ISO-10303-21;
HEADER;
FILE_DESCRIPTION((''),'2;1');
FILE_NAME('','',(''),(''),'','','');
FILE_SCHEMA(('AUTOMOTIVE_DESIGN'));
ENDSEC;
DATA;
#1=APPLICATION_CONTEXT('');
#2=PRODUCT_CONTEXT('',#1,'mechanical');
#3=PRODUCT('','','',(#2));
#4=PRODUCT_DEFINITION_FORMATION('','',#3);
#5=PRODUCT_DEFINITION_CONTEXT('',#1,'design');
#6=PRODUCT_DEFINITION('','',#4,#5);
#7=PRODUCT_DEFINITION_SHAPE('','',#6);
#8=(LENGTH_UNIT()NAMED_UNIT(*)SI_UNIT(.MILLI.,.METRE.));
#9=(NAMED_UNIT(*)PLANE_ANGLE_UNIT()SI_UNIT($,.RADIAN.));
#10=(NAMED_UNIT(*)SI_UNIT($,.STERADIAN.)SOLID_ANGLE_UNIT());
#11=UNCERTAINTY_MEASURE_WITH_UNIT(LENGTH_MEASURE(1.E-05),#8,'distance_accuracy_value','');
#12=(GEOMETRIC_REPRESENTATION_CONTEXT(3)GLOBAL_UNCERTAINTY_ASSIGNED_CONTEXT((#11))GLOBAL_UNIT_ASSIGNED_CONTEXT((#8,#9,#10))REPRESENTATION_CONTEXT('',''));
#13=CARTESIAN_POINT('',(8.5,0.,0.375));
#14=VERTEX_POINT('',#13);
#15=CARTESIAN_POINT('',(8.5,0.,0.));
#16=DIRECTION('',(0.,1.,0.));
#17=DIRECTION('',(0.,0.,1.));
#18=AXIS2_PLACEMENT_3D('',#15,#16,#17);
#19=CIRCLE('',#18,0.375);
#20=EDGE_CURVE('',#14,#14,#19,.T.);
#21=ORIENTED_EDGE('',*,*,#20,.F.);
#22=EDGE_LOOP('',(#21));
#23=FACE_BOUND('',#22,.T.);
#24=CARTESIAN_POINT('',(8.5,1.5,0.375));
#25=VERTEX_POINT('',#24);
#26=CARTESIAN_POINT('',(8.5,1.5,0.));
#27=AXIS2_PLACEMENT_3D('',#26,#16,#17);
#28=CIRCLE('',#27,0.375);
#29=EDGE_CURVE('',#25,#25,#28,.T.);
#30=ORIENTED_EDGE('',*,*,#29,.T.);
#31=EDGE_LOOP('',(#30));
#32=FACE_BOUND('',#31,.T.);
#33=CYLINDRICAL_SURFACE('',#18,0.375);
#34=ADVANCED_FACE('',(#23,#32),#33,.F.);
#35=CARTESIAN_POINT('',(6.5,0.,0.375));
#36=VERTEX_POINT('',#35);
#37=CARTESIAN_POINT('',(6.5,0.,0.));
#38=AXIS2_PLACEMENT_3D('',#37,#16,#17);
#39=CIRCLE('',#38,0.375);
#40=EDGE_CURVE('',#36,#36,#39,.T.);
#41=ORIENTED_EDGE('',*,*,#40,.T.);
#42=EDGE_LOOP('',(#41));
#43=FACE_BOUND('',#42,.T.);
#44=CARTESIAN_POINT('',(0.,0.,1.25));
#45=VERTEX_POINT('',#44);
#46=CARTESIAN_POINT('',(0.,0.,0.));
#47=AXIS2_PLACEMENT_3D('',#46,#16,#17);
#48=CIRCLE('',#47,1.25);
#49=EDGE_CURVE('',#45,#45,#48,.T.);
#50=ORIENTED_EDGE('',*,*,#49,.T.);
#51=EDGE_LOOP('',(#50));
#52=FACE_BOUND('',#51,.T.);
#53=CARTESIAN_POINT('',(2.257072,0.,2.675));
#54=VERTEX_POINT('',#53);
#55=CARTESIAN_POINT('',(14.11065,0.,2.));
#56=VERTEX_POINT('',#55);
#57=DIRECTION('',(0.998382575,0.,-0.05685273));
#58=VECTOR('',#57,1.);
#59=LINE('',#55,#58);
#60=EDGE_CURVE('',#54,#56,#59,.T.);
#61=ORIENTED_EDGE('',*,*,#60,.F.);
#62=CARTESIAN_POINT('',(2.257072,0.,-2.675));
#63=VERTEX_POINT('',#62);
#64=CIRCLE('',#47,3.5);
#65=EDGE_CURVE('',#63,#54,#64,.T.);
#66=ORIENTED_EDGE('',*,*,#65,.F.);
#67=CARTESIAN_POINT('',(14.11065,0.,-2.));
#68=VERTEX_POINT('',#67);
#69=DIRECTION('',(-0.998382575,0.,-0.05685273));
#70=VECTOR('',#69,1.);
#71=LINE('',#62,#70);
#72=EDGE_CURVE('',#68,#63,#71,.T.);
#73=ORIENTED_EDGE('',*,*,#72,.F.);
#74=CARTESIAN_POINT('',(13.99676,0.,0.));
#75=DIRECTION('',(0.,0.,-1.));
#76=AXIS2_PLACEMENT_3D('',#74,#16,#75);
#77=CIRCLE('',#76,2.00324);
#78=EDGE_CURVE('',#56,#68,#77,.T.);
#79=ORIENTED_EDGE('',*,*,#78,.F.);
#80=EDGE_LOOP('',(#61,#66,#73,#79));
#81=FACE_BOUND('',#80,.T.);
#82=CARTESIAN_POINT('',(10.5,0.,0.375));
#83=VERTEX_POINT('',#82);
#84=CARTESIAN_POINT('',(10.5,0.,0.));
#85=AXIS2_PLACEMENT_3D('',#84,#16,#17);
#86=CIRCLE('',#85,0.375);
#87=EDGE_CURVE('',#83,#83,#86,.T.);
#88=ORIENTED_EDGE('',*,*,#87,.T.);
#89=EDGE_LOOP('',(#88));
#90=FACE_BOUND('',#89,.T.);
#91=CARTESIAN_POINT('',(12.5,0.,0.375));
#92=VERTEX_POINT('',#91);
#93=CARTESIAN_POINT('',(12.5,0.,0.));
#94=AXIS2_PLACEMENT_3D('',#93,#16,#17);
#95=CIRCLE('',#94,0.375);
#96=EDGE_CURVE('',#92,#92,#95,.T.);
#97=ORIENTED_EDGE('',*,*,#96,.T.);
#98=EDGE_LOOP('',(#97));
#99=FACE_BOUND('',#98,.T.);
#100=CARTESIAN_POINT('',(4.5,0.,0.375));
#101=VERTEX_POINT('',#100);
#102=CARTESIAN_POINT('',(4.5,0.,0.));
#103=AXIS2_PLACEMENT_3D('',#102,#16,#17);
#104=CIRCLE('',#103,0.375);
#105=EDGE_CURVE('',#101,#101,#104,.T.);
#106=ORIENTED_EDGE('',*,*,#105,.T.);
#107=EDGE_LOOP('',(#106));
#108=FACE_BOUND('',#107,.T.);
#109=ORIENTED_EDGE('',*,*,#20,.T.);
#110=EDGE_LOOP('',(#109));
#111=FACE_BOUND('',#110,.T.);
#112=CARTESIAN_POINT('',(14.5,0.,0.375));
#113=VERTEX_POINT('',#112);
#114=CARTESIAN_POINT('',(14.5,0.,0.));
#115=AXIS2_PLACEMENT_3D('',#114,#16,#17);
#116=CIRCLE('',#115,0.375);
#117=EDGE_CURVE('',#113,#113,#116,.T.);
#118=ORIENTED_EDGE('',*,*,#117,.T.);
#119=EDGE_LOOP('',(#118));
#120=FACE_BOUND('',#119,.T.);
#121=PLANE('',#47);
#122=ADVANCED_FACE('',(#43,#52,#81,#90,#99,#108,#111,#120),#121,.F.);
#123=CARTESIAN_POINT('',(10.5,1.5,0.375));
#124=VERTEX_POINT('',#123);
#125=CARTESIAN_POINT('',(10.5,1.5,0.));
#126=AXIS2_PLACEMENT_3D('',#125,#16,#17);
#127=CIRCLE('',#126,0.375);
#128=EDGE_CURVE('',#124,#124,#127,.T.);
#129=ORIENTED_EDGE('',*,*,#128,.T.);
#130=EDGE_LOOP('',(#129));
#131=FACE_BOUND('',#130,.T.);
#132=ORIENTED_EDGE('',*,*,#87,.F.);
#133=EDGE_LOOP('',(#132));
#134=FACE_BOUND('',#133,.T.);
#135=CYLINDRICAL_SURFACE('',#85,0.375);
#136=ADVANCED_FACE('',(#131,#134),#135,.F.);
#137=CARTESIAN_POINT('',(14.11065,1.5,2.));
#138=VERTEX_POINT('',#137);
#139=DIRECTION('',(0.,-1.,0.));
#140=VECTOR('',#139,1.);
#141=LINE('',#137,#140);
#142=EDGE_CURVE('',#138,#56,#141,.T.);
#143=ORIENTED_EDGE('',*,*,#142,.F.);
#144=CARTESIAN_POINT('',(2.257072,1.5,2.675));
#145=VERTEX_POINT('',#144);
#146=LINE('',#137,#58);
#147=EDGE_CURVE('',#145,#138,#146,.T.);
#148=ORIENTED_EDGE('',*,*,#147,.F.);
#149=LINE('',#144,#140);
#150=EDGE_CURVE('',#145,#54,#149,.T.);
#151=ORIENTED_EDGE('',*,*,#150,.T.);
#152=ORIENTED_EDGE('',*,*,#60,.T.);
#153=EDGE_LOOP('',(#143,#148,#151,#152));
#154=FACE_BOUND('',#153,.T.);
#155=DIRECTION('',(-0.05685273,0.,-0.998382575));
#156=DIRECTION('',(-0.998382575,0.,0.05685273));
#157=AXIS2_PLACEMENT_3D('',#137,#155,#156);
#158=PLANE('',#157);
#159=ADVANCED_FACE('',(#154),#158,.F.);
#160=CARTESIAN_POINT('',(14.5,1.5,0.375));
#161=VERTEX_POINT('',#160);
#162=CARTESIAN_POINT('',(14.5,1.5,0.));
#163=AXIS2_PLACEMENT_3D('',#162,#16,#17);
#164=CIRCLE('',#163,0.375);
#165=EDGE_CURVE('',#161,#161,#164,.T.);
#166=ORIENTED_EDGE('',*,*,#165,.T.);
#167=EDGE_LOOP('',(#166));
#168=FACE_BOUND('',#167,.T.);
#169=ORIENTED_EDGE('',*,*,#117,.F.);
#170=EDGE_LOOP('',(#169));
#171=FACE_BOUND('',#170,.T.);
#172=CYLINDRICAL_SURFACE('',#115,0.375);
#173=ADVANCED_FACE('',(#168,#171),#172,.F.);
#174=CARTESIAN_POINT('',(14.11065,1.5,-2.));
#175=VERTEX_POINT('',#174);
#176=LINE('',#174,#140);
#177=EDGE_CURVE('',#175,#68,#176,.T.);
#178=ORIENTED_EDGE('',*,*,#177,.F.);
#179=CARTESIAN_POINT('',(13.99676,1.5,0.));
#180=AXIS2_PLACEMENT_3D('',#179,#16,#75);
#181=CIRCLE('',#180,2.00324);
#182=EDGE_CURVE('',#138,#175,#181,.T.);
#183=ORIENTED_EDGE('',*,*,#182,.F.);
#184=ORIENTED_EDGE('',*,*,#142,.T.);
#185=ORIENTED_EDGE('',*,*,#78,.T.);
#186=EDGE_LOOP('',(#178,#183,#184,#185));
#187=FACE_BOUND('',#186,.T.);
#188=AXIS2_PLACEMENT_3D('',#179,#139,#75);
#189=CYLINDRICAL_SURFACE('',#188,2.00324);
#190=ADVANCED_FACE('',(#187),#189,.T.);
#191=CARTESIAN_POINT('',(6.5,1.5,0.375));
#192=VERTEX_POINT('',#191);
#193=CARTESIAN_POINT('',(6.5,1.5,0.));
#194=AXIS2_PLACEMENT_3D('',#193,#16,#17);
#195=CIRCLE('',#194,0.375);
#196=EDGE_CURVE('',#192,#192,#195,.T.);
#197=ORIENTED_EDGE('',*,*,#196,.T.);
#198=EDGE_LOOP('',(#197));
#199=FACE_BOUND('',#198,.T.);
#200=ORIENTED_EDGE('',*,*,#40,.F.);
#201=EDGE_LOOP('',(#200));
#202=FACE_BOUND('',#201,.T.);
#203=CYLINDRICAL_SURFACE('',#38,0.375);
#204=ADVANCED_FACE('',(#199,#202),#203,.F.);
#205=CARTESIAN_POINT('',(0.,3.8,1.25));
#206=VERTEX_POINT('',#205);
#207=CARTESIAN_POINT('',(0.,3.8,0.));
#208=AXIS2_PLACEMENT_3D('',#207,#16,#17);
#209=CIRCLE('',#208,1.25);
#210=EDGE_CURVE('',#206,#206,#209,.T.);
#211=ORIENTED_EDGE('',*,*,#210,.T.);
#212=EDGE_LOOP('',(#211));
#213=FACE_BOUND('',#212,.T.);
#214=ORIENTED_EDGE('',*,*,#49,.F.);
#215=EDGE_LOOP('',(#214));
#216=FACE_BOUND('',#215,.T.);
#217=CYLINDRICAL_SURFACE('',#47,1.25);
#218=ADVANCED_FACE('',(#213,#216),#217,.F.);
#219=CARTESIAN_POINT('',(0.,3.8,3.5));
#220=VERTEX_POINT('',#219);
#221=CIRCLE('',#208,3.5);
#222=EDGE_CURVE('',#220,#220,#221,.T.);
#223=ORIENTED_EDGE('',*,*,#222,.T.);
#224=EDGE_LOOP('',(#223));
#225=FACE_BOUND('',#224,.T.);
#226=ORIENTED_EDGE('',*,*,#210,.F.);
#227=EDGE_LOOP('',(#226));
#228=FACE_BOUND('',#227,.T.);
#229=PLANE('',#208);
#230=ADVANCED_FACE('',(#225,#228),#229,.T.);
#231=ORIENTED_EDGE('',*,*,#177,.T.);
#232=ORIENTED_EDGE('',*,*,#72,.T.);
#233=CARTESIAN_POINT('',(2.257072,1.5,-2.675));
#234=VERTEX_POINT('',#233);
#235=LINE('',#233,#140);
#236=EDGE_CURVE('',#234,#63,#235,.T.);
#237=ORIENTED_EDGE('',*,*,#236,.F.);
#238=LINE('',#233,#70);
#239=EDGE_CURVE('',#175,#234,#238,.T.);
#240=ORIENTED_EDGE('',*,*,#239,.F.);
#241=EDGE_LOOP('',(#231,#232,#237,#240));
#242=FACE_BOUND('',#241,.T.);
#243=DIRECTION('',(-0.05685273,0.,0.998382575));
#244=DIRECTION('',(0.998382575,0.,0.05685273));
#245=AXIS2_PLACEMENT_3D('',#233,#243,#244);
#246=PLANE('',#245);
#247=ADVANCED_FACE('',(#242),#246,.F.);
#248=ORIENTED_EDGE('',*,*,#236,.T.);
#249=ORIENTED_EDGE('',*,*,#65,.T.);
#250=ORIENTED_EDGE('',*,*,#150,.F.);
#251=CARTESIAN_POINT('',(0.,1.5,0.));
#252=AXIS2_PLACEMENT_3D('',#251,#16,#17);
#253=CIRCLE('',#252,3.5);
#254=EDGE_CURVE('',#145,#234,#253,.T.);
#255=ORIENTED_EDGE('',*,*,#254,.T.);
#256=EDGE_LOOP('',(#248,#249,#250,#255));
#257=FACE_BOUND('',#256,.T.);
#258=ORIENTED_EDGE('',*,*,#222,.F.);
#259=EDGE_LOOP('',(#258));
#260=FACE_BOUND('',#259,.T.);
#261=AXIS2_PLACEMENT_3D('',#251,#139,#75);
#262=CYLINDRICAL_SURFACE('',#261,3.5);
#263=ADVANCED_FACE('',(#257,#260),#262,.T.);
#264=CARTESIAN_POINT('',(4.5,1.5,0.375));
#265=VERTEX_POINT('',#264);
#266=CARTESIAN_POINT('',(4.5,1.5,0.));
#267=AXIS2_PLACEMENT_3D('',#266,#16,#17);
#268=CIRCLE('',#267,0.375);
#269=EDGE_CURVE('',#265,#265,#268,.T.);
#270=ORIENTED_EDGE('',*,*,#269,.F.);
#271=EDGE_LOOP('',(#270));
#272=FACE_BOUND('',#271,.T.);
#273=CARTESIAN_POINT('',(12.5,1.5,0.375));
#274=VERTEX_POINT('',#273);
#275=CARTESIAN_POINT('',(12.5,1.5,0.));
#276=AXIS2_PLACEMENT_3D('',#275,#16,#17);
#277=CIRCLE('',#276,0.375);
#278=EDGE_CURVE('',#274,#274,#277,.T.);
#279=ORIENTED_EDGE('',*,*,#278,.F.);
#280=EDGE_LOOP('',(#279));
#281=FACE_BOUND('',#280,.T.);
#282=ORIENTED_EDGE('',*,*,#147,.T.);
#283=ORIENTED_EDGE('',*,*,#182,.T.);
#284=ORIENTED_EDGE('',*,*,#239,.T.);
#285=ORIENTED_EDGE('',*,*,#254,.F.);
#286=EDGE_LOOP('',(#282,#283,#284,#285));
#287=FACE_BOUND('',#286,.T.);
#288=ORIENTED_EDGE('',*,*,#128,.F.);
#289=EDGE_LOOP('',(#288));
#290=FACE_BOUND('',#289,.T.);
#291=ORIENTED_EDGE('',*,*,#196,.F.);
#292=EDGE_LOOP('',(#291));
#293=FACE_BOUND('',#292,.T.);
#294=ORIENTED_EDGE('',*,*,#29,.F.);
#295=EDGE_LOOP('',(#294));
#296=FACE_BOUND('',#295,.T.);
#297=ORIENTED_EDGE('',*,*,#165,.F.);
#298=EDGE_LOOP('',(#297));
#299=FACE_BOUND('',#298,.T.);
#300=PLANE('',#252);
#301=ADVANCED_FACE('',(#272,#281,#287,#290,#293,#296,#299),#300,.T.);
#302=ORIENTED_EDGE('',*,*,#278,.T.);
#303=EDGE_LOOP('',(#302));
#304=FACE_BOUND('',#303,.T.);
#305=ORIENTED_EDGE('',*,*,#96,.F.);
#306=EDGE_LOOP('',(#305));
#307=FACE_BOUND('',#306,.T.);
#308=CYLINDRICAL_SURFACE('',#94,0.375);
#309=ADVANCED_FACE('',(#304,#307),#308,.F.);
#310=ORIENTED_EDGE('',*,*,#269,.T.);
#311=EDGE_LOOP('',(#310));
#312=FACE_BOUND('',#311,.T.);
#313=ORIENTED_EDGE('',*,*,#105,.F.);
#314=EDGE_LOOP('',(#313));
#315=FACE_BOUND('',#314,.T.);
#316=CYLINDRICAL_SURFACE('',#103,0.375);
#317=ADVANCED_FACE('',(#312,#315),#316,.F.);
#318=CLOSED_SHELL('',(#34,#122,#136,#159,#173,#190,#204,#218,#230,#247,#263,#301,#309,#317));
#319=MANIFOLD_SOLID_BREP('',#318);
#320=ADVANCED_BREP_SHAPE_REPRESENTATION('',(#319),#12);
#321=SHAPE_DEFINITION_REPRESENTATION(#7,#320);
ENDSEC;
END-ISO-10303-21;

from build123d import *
from build123d.topology import SkipClean

# Parameters (mm, degrees)
BOSS_EXTRUDE1_DEPTH     = 1.5
SKETCH2_R               = 3.5
BOSS_EXTRUDE2_DEPTH     = 2.3
CUT_EXTRUDE1_DEPTH      = 17.539044712
CUT_EXTRUDE1_DEPTH_BACK = 17.539044712
SKETCH3_R               = 0.375
SKETCH3_R_2             = 1.25


with BuildPart() as part:
    # Sketch1 → Boss-Extrude1 (new body)
    with BuildSketch(Plane(origin=(0, 0, 0), x_dir=(1, 0, 0), z_dir=(0, 1, 0))):
        with BuildLine():
            Line((2.257072219, 2.675), (14.110649579, 2))
            ThreePointArc((14.110649579, 2), (16, 0), (14.110649579, -2))
            Line((14.110649579, -2), (2.257072219, -2.675))
            ThreePointArc((2.257072219, -2.675), (-3.5, 0), (2.257072219, 2.675))
        make_face()
    extrude(amount=BOSS_EXTRUDE1_DEPTH)

    # Sketch2 → Boss-Extrude2 (add)
    with SkipClean():  # the faces are left unmerged after this step: merging them gives an invalid solid
        with BuildSketch(Plane(origin=(0, 1.5, 0), x_dir=(1, 0, 0), z_dir=(0, 1, 0))):
            with Locations(Location((0, 0, 0), (0, 0, 49.843487791))):
                Circle(SKETCH2_R)
        extrude(amount=BOSS_EXTRUDE2_DEPTH)

    # Sketch3 → Cut-Extrude1 (cut, two sides: drawn at the far end of the back side and taken through both)
    with SkipClean():  # the faces are left unmerged after this step: merging them gives an invalid solid
        with BuildSketch(Plane(origin=(0, 1.5, 0), x_dir=(1, 0, 0), z_dir=(0, 1, 0)).offset(-CUT_EXTRUDE1_DEPTH_BACK)):
            with Locations(Location((4.5, 0, 0), (0, 0, 270))):
                Circle(SKETCH3_R)
            with Locations(Location((0, 0, 0), (0, 0, 270))):
                Circle(SKETCH3_R_2)
            with Locations(Location((6.5, 0, 0), (0, 0, 270))):
                Circle(SKETCH3_R)
            with Locations(Location((8.5, 0, 0), (0, 0, 270))):
                Circle(SKETCH3_R)
            with Locations(Location((10.5, 0, 0), (0, 0, 270))):
                Circle(SKETCH3_R)
            with Locations(Location((12.5, 0, 0), (0, 0, 270))):
                Circle(SKETCH3_R)
            with Locations(Location((14.5, 0, 0), (0, 0, 270))):
                Circle(SKETCH3_R)
        extrude(amount=CUT_EXTRUDE1_DEPTH + CUT_EXTRUDE1_DEPTH_BACK, mode=Mode.SUBTRACT)


solid = part.part
